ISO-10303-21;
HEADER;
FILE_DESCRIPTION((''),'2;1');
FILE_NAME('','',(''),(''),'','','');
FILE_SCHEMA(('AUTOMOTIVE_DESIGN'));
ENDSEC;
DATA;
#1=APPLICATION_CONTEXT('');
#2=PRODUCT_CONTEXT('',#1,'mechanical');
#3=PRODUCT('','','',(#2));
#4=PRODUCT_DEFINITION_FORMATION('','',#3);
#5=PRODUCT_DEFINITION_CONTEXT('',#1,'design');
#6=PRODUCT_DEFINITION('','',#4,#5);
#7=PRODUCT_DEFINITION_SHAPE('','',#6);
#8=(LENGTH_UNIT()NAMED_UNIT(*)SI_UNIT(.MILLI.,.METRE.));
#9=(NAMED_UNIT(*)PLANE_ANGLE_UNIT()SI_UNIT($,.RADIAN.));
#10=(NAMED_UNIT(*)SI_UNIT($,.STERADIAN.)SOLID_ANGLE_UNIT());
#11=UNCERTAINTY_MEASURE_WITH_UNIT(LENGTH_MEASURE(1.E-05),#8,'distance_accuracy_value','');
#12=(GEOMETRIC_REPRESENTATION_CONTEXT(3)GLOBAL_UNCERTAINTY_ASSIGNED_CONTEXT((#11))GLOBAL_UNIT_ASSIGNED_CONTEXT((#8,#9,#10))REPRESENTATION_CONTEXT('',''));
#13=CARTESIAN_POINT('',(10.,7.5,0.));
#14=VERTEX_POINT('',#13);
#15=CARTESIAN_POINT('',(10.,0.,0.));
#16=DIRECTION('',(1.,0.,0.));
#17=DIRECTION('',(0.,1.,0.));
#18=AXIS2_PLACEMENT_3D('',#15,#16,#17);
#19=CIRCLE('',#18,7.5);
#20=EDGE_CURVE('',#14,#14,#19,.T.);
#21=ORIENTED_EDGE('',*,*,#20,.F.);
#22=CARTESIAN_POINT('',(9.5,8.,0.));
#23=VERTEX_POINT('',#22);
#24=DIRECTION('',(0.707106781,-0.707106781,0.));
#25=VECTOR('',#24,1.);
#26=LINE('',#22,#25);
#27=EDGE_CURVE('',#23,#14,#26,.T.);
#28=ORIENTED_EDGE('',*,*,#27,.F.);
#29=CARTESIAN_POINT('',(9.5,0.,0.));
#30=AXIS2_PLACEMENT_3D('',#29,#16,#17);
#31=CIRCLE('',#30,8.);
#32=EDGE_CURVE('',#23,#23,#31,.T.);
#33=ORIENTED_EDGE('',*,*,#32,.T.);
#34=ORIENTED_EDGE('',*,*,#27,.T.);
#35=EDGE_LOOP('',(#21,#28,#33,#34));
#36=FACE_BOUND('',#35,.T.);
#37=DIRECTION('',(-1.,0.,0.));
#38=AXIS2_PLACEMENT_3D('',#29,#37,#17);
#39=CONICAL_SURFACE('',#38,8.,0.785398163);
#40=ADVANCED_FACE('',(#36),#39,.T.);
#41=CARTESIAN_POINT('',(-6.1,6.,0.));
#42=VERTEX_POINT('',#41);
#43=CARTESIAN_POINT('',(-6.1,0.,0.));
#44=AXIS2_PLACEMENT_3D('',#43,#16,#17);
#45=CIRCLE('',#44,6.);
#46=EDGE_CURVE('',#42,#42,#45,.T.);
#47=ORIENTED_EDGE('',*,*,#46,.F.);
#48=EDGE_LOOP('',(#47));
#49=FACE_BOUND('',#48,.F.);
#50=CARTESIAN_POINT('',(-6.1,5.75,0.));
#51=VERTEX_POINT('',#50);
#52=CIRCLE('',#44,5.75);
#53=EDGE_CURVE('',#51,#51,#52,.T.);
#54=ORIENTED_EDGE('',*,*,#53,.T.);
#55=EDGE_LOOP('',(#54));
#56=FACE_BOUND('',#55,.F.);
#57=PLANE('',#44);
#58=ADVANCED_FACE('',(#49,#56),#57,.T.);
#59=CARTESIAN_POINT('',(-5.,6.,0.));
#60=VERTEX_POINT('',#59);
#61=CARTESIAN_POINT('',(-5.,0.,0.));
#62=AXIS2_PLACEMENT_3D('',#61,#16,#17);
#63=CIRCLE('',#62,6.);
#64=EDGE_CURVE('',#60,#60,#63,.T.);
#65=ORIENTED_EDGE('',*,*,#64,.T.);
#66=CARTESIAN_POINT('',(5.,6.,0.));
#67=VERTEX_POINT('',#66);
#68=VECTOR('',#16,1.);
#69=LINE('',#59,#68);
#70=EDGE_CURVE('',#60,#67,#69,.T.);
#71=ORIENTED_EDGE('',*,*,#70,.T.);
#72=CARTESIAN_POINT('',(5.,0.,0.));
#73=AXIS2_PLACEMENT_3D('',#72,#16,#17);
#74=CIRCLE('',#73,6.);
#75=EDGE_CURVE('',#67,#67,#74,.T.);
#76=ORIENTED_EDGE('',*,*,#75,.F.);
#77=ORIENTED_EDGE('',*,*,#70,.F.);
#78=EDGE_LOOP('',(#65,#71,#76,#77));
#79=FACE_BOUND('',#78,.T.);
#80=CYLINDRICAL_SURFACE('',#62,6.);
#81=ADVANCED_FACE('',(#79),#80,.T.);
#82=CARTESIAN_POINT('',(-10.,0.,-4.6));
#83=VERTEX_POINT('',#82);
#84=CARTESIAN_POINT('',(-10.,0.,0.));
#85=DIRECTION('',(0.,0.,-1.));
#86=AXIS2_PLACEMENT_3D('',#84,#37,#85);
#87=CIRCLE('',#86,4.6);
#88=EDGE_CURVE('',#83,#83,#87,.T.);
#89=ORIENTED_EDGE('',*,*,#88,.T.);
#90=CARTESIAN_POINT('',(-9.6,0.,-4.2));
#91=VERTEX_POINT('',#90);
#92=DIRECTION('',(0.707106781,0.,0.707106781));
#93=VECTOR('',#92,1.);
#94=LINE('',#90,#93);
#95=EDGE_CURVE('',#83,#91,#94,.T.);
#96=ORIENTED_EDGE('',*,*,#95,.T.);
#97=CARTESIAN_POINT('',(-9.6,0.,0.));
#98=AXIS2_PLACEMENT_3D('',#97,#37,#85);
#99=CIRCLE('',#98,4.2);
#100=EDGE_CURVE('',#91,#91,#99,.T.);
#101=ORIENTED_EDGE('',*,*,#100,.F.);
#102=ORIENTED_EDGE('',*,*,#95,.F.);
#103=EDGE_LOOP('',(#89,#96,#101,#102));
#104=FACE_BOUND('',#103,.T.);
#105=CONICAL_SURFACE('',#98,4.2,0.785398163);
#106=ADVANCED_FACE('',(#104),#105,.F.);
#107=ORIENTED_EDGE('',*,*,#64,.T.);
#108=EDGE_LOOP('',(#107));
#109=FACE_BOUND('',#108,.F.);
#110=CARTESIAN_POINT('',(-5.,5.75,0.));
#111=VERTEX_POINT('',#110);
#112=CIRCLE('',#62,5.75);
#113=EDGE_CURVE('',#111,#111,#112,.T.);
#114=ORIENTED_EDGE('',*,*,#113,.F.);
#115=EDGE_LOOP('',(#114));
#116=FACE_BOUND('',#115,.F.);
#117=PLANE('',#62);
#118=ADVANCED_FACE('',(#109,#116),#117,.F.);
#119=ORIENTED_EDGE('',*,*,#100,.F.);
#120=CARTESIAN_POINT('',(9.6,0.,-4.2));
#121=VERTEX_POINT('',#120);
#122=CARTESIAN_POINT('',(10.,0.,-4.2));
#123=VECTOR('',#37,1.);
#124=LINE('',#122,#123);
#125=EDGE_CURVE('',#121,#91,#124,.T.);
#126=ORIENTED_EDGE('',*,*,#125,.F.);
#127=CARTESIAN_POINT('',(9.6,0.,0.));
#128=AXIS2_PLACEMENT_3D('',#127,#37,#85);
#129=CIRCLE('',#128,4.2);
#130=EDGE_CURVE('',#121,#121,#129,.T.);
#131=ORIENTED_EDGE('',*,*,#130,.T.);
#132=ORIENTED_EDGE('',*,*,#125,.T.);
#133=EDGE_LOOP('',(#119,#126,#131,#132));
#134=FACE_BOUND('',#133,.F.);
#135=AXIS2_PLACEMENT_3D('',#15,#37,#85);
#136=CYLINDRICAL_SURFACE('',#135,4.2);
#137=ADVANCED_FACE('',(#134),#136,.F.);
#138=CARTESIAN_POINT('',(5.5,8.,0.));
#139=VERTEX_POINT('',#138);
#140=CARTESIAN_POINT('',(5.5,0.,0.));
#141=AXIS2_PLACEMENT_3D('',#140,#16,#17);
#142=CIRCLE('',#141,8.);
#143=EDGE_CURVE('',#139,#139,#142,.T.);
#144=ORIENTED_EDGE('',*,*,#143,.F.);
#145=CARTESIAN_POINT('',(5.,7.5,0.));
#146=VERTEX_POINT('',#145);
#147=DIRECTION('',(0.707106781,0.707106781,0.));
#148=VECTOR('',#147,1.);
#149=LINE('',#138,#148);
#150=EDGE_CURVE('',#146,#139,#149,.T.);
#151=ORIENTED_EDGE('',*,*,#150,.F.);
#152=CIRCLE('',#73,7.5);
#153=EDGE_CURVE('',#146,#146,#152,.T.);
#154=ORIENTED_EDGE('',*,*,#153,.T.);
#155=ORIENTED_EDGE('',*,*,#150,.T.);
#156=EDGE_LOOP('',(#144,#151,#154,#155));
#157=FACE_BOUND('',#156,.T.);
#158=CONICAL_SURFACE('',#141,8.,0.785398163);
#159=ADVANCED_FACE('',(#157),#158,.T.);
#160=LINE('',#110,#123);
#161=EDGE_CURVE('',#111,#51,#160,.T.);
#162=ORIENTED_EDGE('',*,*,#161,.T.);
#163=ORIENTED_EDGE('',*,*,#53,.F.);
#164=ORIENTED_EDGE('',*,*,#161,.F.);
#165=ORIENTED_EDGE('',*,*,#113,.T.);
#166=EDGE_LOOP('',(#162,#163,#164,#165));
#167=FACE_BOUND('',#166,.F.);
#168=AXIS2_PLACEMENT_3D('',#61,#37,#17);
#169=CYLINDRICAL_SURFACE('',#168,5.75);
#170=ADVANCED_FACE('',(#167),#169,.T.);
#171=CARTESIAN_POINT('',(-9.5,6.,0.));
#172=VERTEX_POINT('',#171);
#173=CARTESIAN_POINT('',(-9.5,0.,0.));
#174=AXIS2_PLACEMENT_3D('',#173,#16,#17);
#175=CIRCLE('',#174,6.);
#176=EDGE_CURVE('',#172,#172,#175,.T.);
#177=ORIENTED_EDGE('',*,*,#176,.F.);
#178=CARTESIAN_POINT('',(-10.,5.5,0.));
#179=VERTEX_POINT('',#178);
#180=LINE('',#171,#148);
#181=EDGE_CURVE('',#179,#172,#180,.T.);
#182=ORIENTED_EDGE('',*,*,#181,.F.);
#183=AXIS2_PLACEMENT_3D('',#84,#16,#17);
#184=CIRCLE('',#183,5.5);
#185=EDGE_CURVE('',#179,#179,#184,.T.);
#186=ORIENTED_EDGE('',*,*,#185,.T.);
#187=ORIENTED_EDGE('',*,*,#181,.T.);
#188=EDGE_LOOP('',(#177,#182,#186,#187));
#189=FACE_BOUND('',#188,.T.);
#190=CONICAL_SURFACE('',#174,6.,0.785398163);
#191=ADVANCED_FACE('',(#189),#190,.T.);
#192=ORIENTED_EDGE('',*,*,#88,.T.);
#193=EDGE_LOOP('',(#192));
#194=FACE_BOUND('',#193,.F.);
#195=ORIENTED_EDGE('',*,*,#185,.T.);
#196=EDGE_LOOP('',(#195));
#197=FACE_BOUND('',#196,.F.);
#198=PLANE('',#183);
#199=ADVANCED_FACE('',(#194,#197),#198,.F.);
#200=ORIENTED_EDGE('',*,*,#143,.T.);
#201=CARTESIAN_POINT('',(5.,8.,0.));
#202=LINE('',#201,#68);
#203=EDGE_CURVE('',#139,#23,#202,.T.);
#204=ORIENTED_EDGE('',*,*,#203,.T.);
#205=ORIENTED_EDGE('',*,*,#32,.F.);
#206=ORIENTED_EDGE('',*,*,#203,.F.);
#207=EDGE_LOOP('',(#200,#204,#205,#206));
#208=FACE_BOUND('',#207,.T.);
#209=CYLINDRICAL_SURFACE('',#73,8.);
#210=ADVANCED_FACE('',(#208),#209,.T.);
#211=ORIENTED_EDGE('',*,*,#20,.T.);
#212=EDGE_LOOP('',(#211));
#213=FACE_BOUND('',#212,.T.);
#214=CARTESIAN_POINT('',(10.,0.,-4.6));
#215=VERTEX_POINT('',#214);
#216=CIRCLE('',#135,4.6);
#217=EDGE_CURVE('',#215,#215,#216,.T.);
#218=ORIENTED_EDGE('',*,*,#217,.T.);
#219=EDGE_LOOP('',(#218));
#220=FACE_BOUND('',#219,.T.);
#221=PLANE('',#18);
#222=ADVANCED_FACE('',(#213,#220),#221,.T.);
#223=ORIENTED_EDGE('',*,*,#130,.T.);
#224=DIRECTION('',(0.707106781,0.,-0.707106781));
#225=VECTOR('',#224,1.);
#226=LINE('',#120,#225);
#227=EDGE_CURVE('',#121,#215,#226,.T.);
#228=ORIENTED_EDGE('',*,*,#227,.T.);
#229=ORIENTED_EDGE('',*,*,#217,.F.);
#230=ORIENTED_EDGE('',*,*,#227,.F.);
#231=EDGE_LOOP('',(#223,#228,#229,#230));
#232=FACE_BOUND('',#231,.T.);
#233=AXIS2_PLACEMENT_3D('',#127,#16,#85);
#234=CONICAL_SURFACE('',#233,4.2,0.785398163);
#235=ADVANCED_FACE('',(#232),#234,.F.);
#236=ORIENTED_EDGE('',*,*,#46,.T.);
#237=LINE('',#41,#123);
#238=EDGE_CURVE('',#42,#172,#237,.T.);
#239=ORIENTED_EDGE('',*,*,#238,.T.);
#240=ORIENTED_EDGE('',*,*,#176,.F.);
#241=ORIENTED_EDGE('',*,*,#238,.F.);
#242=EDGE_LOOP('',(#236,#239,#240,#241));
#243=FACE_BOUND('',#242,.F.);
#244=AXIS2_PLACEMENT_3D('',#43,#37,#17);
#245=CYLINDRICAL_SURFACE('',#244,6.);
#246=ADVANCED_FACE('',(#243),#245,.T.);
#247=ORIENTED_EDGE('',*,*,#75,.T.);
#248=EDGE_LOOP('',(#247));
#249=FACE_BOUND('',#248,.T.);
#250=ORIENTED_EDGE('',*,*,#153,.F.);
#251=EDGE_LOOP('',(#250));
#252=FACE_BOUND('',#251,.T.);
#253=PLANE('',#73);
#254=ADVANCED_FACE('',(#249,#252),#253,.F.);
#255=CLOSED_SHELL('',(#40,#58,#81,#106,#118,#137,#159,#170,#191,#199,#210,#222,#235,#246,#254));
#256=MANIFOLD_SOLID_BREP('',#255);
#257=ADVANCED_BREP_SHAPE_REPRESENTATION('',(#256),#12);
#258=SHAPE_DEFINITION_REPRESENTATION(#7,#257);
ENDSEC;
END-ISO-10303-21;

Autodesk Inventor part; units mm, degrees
ref_plane "YZ Plane" through (0, 0, 0) normal (1, 0, 0) x (0, 1, 0)
ref_plane "XZ Plane" through (0, 0, 0) normal (0, 1, 0) x (-1, 0, 0)
ref_plane "XY Plane" through (0, 0, 0) normal (0, 0, 1) x (1, 0, 0)
sketch "Náčrt1" plane through (0, 0, 0) normal (0, 0, 1) x (1, 0, 0)
  line L0 (-8, 0) -> (8, 0)
  line L1 (8, 0) -> (8, 27.5) construction
  line L2 (8, 27.5) -> (5.5, 27.5) construction
  line L3 (5.5, 27.5) -> (5.5, 26.5) construction
  line L4 (0.5, 21.5) -> (-0.5, 21.5) construction
  line L5 (-5.5, 26.5) -> (-5.5, 27.5) construction
  line L6 (-5.5, 27.5) -> (-8, 27.5) construction
  line L7 (-8, 27.5) -> (-8, 0) construction
  line L8 (-8, 16) -> (-6.85, 16) construction
  line L9 (-6.85, 16) -> (-6.85, 17.25) construction
  line L10 (-6.85, 17.25) -> (-5, 17.25) construction
  line L11 (-5, 17.25) -> (-5, 16) construction
  line L12 (-5, 16) -> (5, 16) construction
  line L13 (5, 16) -> (5, 14) construction
  line L14 (5, 14) -> (8, 14) construction
  arc A0 (-5.5, 26.5) -> (-0.5, 21.5) centre (-0.5, 26.5) ccw construction
  arc A1 (0.5, 21.5) -> (5.5, 26.5) centre (0.5, 26.5) ccw construction
  line L15 (5, 6) -> (5, 8)
  line L16 (5, 8) -> (10, 8)
  line L17 (10, 8) -> (10, 0)
  line L18 (10, 0) -> (8, 0)
  line L19 (-10, 6) -> (-10, 0)
  line L20 (-10, 0) -> (-8, 0)
  line L21 (-5, 6) -> (-5, 5.75)
  line L22 (-5, 5.75) -> (-6.1, 5.75)
  line L23 (-6.1, 5.75) -> (-6.1, 6)
  line L24 (-5, 6) -> (5, 6)
  line L25 (-6.1, 6) -> (-10, 6)
  point P0 (0, 0)
  point P1 (0, 0)
  point P2 (5.5, 21.5)
  point P3 (-5.5, 21.5)
  dimension "d0" = 55
  dimension "d1" = 16
  dimension "d3" = 2.5
  dimension "d4" = 6
  dimension "d5" = 32
  dimension "d6" = 28
  dimension "d7" = 10
  dimension "d8" = 13
  dimension "d9" = 34.5
  dimension "d10" = 1.85
  dimension "d18" = 11
  dimension "d24" = 43
  dimension "d27" = 5
  dimension "d31" = 16
  dimension "d32" = 2
  dimension "d33" = 2
  dimension "d34" = 1.1
  dimension "d35" = 11.5
  dimension "d36" = 12
  dimension "d37" = 20
revolve "Rotace1" add sketch "Náčrt1" angle 360 about axis through (-8, 0, 0) along (1, 0, 0)
chamfer "Zkosení1" distance 0.5 angle 45 3 edges at (10, -8, 0) (-10, -6, 0) (5, -8, 0)
hole "Díra1" at (10, 0, 0) direction (-1, 0, 0) diameter 8.4 end through all clearance for "Strojní šroub se zápustnou hlavou" size "M8" standard "Ansi M metrický profil"
chamfer "Zkosení3" distance 0.4 angle 45 2 edges at (-10, 0, 4.2) (10, 0, 4.2)
properties part number "DD_KVD_004_03" material "Nerezová ocel"
